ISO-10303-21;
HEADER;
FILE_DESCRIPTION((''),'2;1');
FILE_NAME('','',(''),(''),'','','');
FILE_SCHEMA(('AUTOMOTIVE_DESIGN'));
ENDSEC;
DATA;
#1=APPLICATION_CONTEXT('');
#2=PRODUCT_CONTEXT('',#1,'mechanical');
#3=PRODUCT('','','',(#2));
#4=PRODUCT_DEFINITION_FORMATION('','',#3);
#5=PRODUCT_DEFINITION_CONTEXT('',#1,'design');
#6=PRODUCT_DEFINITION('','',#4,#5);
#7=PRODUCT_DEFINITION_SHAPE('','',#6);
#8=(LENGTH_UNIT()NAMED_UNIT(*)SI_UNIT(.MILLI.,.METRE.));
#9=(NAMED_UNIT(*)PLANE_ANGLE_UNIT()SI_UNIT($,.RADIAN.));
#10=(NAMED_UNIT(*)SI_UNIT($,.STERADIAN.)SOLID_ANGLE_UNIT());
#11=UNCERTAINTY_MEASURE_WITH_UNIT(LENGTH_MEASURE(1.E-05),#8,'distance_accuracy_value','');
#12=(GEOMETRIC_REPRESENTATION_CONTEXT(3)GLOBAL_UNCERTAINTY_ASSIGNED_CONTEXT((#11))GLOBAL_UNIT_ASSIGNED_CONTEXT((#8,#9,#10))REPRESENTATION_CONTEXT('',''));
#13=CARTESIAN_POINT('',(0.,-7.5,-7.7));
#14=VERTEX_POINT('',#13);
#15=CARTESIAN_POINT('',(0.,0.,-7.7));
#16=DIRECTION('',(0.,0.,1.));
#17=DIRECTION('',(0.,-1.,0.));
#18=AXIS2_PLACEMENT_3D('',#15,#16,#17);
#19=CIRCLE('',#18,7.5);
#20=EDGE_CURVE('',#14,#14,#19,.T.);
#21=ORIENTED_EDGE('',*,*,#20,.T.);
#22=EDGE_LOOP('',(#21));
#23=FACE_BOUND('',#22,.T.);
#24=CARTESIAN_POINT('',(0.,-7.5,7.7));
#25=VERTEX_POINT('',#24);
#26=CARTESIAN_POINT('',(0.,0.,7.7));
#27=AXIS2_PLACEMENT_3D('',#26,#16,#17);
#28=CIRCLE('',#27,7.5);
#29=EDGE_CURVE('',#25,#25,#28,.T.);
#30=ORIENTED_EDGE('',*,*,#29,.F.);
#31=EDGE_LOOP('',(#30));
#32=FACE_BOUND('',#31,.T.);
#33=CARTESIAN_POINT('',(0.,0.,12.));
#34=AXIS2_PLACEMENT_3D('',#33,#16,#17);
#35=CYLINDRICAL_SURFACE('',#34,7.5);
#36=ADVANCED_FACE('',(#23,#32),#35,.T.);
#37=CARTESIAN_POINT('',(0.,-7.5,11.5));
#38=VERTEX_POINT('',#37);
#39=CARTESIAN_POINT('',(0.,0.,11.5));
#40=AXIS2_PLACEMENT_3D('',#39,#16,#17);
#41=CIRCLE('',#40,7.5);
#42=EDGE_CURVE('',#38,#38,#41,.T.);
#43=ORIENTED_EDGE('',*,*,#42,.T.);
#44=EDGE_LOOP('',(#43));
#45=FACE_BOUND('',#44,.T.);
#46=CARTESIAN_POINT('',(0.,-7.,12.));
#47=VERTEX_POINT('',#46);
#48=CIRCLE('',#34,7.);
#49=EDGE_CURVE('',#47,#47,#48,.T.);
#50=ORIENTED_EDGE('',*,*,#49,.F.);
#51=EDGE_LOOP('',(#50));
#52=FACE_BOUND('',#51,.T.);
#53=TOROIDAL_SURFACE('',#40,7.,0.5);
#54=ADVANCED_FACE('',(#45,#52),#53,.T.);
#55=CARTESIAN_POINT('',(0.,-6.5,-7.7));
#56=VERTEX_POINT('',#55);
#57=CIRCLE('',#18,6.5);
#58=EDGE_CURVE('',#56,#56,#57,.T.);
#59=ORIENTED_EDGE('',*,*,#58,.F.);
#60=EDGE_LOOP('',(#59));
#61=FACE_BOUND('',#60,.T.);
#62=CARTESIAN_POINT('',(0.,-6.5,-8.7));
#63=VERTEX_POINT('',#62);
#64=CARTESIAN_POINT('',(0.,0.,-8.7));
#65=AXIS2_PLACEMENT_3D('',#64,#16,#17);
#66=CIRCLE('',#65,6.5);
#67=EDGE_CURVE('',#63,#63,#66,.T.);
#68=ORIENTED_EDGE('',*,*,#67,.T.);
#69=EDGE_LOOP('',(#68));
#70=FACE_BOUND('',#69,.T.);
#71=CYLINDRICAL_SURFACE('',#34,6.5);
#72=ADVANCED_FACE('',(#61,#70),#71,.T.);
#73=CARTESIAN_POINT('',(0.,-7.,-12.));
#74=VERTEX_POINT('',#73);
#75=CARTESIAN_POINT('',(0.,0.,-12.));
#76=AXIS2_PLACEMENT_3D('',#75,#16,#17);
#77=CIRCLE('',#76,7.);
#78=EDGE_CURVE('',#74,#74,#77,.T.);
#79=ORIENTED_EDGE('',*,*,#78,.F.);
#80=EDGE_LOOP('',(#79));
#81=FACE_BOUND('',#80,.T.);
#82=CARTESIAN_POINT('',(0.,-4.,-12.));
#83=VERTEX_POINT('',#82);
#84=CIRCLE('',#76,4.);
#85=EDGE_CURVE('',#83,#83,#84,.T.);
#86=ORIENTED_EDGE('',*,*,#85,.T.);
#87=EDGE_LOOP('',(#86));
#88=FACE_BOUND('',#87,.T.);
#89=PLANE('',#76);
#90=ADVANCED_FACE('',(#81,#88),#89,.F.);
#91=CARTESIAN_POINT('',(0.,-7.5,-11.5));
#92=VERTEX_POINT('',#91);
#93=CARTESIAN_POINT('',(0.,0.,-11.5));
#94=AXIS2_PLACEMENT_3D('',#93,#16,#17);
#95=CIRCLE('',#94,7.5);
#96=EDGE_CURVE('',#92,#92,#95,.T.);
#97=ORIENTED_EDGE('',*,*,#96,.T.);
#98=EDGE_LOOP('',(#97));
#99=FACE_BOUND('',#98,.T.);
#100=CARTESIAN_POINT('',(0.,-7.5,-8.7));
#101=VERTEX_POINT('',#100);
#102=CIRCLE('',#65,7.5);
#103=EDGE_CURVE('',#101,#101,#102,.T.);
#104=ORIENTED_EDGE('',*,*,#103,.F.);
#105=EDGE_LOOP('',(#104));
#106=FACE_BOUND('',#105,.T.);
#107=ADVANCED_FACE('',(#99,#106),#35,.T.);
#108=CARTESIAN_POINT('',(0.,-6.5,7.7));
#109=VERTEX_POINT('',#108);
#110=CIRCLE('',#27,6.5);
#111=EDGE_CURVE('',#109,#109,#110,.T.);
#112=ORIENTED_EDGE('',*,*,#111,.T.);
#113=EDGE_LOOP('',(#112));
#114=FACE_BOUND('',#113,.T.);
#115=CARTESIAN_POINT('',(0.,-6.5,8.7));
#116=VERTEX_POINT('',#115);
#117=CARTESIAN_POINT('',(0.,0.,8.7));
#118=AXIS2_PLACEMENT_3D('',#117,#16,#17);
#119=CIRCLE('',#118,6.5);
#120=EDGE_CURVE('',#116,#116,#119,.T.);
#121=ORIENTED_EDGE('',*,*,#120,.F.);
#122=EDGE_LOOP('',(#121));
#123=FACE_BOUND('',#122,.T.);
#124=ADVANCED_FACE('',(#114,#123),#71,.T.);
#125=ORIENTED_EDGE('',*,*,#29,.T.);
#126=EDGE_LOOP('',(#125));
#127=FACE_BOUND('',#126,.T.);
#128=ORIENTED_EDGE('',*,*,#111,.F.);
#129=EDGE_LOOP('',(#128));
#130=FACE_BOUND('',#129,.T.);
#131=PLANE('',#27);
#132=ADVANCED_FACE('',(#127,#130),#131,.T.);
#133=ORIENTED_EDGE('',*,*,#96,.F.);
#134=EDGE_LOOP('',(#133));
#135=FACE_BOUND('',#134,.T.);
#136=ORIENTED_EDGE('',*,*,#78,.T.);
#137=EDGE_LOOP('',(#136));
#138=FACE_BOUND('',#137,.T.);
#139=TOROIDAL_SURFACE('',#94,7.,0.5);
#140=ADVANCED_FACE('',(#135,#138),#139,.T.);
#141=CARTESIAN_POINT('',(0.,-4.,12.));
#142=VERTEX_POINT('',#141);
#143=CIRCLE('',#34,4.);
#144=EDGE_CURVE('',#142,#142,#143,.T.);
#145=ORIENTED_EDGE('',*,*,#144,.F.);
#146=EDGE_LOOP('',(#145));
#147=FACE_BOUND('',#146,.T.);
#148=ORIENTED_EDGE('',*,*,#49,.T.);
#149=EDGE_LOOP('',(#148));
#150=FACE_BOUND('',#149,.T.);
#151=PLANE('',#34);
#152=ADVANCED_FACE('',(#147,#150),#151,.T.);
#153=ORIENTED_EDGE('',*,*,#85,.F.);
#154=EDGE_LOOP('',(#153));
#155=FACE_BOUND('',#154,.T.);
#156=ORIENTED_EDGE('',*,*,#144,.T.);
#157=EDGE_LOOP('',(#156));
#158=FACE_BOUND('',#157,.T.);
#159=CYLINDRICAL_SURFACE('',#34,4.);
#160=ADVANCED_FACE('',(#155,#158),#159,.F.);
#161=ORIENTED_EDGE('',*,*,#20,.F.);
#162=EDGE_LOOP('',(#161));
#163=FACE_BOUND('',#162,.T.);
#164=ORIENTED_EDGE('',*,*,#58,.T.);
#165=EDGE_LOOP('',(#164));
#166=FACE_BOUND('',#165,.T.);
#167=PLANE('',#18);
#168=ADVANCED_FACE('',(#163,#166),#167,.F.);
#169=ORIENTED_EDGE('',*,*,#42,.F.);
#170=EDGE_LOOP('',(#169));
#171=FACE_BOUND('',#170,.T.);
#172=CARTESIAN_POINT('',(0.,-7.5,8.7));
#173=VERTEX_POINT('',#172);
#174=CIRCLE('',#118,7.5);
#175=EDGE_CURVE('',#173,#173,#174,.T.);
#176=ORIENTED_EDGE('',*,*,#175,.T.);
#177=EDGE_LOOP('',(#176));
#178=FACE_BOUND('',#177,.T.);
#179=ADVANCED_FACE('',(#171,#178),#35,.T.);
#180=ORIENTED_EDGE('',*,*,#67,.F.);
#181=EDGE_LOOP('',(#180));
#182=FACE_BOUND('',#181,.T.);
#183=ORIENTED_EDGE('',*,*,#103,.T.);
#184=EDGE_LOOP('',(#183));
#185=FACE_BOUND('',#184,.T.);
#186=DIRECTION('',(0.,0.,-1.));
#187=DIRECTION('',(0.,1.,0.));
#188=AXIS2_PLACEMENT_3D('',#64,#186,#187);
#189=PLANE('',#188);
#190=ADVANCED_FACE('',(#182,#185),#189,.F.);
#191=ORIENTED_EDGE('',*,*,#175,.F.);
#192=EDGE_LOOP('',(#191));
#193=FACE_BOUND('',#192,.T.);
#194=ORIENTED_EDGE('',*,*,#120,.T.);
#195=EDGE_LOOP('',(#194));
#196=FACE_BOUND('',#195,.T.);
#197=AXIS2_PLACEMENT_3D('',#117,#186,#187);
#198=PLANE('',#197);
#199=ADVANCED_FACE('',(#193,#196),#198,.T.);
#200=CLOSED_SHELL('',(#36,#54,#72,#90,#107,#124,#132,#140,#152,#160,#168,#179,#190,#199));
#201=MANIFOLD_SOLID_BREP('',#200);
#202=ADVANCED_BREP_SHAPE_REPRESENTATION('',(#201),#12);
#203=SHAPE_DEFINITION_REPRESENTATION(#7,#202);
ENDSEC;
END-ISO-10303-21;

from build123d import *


with BuildPart() as part:
    # Эскиз2 → Повернуть1 (revolve)
    with BuildSketch(Plane(origin=(0, 0, 0), x_dir=(0, 0, -1), z_dir=(1, 0, 0))):
        with BuildLine():
            Line((7.7, -7.5), (7.7, -6.5))
            Line((7.7, -6.5), (8.7, -6.5))
            Line((8.7, -6.5), (8.7, -7.5))
            Line((8.7, -7.5), (11.5, -7.5))
            ThreePointArc((11.5, -7.5), (11.853553391, -7.353553391), (12, -7))
            Line((12, -7), (12, -4))
            Line((12, -4), (-12, -4))
            Line((-12, -4), (-12, -7))
            ThreePointArc((-12, -7), (-11.853553391, -7.353553391), (-11.5, -7.5))
            Line((-11.5, -7.5), (-8.7, -7.5))
            Line((-8.7, -7.5), (-8.7, -6.5))
            Line((-8.7, -6.5), (-7.7, -6.5))
            Line((-7.7, -6.5), (-7.7, -7.5))
            Line((-7.7, -7.5), (7.7, -7.5))
        make_face()
    revolve(axis=Axis((0, 0, 12), (0, 0, -1)))


solid = part.part
